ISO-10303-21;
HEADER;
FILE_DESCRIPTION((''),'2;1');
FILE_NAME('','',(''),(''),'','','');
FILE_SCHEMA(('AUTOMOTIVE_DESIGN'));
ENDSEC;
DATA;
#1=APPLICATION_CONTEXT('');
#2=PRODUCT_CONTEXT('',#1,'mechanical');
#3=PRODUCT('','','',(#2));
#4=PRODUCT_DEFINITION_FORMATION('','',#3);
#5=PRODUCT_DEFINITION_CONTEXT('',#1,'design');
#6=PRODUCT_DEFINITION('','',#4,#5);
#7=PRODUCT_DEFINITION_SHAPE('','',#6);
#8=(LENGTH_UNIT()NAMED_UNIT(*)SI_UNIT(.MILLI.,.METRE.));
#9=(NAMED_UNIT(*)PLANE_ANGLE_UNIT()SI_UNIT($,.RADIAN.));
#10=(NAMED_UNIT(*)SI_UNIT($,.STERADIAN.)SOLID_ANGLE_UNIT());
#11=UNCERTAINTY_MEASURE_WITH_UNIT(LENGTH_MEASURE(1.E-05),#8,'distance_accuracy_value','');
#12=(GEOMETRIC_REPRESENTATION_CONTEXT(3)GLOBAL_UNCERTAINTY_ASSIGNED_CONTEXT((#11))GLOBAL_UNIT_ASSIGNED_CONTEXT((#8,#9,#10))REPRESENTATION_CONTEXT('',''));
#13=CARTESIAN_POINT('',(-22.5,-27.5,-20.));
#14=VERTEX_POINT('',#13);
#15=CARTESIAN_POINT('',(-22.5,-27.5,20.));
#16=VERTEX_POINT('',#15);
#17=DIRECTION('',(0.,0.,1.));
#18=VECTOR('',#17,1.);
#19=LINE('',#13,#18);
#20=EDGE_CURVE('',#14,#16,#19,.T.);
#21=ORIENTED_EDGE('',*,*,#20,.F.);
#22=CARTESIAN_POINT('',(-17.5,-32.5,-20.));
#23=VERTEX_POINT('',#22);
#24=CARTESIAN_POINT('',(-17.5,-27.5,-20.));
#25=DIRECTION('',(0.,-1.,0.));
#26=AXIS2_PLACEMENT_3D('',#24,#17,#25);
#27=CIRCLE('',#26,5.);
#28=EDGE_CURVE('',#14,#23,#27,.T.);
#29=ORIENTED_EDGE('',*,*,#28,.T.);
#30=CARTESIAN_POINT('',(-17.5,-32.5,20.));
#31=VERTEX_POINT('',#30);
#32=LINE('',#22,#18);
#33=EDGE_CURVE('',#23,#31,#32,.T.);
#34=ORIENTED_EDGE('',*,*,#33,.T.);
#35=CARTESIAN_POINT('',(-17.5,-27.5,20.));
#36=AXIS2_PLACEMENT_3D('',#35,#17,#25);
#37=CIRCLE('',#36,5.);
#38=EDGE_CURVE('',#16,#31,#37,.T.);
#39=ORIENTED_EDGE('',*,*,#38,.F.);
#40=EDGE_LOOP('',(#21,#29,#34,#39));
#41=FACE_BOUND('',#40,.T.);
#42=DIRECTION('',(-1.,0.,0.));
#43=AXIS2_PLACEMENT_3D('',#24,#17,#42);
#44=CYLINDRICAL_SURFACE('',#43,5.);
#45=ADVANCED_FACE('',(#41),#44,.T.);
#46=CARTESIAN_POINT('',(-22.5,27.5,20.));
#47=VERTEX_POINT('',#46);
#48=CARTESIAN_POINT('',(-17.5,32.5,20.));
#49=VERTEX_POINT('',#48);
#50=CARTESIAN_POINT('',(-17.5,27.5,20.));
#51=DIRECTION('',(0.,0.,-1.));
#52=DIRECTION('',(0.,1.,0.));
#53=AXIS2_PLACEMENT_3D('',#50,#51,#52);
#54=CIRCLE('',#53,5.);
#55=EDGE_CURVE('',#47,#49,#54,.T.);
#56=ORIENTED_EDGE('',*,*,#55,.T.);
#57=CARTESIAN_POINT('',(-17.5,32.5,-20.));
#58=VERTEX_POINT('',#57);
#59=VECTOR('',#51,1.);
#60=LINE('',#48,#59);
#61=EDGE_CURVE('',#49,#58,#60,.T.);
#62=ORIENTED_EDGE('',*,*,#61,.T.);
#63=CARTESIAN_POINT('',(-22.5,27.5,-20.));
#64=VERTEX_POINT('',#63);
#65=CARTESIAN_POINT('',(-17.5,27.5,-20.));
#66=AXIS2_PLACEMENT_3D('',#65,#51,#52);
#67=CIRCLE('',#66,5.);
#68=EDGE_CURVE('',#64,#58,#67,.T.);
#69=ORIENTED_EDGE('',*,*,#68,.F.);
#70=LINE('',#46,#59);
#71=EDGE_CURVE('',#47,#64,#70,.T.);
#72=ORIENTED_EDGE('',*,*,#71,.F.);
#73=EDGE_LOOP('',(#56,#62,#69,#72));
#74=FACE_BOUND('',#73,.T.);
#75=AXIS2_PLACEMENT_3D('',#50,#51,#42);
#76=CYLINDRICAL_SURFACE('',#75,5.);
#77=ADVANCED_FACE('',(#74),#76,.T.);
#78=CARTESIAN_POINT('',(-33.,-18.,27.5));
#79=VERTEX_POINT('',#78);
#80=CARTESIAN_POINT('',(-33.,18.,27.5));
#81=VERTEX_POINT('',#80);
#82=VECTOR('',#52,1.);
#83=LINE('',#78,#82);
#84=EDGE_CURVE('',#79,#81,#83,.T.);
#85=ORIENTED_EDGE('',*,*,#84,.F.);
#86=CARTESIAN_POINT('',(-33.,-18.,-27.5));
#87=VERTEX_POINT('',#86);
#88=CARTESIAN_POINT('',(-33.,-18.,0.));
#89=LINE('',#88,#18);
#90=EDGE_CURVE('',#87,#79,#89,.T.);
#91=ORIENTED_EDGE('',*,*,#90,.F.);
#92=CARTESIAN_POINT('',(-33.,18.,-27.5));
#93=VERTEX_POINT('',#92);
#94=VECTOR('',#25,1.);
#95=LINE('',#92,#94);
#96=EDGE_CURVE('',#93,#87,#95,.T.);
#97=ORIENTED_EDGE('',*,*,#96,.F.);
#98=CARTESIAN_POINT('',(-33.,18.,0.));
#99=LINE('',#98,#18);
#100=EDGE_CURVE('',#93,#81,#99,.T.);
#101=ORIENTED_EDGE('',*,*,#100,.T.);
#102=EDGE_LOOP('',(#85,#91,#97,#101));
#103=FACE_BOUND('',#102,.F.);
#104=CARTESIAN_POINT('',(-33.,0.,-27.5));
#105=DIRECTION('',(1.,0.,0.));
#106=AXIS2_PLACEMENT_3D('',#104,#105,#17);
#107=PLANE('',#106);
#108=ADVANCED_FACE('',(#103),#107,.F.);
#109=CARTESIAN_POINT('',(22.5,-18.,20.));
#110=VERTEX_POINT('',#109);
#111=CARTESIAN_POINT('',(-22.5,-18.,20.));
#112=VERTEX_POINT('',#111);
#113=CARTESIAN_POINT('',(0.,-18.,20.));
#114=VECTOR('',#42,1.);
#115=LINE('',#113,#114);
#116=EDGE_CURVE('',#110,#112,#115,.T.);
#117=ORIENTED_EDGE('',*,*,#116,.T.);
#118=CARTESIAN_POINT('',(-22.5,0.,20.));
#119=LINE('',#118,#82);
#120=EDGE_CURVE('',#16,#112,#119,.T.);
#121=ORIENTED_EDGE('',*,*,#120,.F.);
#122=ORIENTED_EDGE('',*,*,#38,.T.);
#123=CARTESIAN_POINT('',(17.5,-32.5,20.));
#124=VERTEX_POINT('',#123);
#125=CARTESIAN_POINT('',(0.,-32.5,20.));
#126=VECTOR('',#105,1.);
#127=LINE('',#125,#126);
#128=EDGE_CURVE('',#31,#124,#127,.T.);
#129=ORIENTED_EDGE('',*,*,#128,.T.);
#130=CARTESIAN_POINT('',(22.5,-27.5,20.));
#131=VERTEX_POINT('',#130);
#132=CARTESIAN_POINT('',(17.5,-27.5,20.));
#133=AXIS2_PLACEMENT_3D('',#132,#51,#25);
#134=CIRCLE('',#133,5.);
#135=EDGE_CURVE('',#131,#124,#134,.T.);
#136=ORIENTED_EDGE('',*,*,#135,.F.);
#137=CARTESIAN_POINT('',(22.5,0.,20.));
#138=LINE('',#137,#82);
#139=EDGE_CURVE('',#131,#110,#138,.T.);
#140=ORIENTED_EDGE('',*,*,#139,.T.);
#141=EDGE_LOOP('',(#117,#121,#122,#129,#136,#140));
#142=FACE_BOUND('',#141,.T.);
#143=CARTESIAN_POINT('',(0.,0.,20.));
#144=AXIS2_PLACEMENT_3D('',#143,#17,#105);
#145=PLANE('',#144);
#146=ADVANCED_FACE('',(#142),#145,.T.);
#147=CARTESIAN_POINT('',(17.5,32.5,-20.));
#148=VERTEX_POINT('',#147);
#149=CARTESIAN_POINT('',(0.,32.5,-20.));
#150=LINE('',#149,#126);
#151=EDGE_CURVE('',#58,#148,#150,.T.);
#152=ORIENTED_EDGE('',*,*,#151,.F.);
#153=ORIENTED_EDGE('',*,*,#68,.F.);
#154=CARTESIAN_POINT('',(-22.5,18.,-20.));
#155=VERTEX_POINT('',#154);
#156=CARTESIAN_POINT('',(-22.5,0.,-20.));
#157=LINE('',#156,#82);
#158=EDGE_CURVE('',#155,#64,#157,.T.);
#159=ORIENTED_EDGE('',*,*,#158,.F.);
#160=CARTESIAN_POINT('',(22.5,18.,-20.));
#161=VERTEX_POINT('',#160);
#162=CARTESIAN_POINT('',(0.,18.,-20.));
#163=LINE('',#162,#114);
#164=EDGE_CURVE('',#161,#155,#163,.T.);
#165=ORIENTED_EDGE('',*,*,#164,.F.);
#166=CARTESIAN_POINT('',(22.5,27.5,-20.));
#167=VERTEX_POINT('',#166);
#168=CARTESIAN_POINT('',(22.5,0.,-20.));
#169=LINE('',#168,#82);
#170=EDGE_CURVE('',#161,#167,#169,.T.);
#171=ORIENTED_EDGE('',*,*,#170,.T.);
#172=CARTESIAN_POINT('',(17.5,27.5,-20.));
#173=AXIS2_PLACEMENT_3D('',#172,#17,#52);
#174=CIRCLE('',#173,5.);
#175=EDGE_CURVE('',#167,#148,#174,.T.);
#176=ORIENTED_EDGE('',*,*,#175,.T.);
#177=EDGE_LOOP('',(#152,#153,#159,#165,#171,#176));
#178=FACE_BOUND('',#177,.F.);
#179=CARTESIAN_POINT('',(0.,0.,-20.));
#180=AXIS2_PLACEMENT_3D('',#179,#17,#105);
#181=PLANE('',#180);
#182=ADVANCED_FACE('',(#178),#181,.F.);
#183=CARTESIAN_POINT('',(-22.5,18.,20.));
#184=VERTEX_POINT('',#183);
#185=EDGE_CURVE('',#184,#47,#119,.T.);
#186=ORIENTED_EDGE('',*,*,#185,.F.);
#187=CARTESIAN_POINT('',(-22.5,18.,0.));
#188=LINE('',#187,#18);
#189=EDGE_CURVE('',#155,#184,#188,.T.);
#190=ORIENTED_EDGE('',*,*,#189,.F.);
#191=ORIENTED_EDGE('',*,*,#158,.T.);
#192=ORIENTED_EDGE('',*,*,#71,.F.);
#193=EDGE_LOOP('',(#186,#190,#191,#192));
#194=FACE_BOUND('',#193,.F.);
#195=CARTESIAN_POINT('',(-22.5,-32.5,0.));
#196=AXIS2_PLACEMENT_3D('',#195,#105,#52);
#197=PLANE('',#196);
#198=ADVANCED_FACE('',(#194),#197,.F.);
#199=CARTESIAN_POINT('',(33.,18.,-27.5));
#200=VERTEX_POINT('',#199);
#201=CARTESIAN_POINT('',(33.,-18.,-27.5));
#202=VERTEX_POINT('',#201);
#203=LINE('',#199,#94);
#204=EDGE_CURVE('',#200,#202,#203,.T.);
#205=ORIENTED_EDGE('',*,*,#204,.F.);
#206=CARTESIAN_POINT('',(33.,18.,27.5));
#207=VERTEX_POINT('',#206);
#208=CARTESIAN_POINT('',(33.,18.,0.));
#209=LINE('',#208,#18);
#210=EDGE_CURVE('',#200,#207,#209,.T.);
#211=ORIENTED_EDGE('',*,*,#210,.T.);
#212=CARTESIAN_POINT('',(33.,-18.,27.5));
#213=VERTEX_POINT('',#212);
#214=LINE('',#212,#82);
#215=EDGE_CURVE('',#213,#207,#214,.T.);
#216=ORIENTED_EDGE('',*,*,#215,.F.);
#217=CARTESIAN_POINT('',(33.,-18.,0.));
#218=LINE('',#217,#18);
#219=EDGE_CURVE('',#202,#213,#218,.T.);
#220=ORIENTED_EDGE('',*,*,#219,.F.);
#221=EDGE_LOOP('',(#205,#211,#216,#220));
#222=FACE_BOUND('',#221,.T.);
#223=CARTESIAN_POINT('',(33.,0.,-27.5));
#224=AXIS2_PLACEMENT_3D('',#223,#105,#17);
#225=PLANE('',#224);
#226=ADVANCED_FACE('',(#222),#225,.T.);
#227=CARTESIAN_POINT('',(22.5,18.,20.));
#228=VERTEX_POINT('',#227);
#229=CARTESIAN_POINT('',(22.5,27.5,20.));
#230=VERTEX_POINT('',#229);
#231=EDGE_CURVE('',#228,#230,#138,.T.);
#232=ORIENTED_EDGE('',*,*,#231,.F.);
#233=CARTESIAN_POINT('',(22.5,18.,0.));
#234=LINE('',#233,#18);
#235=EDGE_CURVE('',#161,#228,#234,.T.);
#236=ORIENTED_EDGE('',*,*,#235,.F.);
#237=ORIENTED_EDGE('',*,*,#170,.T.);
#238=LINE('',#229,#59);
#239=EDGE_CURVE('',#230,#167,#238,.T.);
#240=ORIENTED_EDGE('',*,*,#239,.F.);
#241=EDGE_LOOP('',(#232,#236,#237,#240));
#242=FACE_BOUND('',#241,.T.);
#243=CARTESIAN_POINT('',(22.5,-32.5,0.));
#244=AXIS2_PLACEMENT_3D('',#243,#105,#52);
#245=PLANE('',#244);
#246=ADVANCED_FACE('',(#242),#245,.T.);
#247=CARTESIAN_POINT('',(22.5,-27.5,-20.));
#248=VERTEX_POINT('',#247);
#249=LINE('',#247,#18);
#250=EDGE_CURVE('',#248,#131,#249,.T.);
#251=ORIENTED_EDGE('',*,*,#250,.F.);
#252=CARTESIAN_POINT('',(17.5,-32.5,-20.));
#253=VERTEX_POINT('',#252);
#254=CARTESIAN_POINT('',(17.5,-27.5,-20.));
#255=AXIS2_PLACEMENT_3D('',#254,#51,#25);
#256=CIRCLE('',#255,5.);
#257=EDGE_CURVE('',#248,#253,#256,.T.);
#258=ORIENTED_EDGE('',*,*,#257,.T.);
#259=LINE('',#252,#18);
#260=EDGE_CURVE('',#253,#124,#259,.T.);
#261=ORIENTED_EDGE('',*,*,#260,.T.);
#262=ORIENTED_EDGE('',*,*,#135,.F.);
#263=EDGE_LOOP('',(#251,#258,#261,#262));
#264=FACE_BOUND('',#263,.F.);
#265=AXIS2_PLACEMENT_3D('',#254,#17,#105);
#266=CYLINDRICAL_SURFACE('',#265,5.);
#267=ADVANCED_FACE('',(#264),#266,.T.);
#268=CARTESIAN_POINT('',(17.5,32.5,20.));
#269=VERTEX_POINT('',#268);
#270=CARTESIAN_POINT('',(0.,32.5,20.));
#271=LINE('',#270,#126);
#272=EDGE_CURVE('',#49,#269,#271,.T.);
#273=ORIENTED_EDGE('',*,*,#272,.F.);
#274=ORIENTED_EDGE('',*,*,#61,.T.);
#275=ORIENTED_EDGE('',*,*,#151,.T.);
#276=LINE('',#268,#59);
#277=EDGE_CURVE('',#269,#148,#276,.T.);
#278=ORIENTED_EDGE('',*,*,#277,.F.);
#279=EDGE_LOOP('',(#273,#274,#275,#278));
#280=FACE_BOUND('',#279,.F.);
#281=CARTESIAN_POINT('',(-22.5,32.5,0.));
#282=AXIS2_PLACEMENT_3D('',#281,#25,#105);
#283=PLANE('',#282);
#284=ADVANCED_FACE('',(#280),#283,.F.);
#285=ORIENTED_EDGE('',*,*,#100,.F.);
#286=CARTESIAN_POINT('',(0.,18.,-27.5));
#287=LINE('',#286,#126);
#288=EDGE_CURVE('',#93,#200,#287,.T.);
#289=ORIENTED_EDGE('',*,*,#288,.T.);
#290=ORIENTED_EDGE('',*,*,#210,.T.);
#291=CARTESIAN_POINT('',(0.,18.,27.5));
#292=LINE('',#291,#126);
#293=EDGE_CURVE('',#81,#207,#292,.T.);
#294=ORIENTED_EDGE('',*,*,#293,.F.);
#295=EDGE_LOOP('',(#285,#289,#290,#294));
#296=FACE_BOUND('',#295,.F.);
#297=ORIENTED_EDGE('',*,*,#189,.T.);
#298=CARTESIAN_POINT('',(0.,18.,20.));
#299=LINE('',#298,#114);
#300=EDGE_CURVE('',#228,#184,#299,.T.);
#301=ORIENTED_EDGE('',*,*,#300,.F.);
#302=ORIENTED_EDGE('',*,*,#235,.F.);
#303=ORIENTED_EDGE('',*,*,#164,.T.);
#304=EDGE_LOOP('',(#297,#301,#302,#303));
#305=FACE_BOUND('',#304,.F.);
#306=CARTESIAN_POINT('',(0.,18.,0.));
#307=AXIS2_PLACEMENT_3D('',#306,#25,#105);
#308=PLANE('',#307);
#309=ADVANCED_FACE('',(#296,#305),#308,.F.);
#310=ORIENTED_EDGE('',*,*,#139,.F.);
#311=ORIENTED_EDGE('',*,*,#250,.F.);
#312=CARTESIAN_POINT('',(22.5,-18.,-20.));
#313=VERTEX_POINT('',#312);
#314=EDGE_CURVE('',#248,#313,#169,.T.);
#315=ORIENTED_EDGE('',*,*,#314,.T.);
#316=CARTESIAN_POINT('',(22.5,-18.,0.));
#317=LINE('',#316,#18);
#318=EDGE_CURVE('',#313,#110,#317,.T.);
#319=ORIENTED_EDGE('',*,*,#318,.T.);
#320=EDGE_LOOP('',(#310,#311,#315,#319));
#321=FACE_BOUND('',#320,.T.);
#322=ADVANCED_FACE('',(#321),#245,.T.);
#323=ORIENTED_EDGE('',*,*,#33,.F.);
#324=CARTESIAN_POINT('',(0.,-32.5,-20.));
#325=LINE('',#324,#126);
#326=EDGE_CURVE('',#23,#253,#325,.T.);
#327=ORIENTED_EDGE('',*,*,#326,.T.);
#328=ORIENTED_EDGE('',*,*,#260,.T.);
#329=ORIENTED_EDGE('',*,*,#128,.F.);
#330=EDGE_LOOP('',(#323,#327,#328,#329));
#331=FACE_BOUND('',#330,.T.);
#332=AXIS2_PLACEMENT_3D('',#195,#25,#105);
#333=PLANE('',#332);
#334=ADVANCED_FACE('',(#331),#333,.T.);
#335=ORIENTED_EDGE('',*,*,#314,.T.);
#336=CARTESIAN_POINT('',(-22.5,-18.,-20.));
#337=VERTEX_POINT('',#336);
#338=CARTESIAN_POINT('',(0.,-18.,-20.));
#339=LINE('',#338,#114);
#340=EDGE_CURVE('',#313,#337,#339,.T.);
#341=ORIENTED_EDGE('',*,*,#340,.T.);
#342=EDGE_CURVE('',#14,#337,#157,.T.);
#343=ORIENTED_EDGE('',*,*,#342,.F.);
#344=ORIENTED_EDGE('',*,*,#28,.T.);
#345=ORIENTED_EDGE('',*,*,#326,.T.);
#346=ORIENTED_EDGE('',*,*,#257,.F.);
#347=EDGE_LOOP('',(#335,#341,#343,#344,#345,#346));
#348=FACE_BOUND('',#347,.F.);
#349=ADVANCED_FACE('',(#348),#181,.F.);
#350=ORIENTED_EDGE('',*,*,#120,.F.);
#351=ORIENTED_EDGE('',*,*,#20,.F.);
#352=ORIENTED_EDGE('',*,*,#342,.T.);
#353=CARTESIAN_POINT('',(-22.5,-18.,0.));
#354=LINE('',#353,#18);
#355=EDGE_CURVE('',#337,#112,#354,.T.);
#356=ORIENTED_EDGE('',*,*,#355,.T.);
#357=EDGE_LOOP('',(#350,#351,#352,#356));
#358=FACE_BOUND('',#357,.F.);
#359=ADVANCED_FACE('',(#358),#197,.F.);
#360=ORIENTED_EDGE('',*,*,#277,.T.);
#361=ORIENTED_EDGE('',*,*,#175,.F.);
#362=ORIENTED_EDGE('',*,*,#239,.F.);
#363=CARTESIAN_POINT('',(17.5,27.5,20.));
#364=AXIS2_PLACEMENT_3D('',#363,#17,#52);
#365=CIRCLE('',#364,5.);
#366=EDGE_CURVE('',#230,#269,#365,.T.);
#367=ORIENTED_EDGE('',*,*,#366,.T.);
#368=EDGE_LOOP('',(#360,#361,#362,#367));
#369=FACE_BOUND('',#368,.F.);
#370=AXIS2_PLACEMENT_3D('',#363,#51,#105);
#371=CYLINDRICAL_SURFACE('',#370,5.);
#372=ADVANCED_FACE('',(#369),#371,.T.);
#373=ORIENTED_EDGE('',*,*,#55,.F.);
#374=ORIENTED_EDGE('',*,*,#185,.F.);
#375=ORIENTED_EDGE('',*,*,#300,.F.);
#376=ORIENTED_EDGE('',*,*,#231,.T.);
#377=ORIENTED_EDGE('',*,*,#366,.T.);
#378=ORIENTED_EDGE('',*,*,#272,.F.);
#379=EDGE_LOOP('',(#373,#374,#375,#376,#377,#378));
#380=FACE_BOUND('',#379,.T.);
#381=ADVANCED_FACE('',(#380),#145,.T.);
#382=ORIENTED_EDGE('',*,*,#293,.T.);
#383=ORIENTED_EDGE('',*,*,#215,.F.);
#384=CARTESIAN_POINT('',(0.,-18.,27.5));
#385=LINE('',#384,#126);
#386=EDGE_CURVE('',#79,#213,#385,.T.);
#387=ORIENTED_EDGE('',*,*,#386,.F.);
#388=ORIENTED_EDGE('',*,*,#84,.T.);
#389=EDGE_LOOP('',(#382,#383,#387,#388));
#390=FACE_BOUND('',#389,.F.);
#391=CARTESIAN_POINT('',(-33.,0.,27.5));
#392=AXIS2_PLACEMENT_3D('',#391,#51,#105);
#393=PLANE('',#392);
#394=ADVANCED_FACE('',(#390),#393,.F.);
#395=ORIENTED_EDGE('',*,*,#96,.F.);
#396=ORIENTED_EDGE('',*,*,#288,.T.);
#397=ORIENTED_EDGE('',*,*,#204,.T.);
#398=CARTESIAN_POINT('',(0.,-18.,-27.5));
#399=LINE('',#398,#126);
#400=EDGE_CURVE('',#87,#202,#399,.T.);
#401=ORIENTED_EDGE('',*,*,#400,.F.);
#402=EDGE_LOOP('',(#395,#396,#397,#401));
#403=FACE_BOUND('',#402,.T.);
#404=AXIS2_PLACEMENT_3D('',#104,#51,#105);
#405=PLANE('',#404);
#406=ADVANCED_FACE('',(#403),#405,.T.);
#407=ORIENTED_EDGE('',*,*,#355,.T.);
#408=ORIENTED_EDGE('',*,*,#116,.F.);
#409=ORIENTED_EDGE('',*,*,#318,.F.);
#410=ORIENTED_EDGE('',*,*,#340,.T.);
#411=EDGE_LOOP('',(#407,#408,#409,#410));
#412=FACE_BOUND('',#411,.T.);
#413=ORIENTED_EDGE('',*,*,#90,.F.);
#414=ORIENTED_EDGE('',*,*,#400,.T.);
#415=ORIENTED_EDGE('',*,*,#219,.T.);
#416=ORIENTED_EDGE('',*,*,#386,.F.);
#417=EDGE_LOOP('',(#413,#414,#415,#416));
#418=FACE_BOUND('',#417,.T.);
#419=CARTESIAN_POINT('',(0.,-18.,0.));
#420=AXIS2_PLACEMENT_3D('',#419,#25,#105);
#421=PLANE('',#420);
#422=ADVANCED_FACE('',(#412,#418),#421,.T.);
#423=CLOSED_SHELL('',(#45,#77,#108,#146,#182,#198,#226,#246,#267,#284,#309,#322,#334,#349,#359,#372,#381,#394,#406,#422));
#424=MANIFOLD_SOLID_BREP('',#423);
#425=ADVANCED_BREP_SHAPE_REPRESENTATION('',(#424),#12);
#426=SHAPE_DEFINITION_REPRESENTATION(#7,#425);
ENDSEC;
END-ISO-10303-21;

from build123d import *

# Parameters (mm, degrees)
SKETCH001_W  = 45
SKETCH001_H  = 65
PAD001_DEPTH = 20
FILLET_R     = 5
SKETCH_W     = 66
SKETCH_H     = 55
PAD_DEPTH    = 18


with BuildPart() as coil:
    # Sketch001 → Pad001 (new body, symmetric)
    with BuildSketch(Plane.XY):
        Rectangle(SKETCH001_W, SKETCH001_H)
    extrude(amount=PAD001_DEPTH, both=True)

    # Fillet
    fillet_edges = [coil.edges().sort_by_distance(p)[0] for p in [
        (-22.5, -32.5, 0),
        (22.5, -32.5, 0),
        (22.5, 32.5, 0),
        (-22.5, 32.5, 0),
    ]]
    fillet(fillet_edges, radius=FILLET_R)


with BuildPart() as fusion_of_core_and_coil:
    # Sketch → Pad (new body, symmetric)
    with BuildSketch(Plane.XZ):
        Rectangle(SKETCH_W, SKETCH_H)
    extrude(amount=PAD_DEPTH, both=True)

    # Fusion: union Coil
    add(coil.part)


solid = fusion_of_core_and_coil.part
